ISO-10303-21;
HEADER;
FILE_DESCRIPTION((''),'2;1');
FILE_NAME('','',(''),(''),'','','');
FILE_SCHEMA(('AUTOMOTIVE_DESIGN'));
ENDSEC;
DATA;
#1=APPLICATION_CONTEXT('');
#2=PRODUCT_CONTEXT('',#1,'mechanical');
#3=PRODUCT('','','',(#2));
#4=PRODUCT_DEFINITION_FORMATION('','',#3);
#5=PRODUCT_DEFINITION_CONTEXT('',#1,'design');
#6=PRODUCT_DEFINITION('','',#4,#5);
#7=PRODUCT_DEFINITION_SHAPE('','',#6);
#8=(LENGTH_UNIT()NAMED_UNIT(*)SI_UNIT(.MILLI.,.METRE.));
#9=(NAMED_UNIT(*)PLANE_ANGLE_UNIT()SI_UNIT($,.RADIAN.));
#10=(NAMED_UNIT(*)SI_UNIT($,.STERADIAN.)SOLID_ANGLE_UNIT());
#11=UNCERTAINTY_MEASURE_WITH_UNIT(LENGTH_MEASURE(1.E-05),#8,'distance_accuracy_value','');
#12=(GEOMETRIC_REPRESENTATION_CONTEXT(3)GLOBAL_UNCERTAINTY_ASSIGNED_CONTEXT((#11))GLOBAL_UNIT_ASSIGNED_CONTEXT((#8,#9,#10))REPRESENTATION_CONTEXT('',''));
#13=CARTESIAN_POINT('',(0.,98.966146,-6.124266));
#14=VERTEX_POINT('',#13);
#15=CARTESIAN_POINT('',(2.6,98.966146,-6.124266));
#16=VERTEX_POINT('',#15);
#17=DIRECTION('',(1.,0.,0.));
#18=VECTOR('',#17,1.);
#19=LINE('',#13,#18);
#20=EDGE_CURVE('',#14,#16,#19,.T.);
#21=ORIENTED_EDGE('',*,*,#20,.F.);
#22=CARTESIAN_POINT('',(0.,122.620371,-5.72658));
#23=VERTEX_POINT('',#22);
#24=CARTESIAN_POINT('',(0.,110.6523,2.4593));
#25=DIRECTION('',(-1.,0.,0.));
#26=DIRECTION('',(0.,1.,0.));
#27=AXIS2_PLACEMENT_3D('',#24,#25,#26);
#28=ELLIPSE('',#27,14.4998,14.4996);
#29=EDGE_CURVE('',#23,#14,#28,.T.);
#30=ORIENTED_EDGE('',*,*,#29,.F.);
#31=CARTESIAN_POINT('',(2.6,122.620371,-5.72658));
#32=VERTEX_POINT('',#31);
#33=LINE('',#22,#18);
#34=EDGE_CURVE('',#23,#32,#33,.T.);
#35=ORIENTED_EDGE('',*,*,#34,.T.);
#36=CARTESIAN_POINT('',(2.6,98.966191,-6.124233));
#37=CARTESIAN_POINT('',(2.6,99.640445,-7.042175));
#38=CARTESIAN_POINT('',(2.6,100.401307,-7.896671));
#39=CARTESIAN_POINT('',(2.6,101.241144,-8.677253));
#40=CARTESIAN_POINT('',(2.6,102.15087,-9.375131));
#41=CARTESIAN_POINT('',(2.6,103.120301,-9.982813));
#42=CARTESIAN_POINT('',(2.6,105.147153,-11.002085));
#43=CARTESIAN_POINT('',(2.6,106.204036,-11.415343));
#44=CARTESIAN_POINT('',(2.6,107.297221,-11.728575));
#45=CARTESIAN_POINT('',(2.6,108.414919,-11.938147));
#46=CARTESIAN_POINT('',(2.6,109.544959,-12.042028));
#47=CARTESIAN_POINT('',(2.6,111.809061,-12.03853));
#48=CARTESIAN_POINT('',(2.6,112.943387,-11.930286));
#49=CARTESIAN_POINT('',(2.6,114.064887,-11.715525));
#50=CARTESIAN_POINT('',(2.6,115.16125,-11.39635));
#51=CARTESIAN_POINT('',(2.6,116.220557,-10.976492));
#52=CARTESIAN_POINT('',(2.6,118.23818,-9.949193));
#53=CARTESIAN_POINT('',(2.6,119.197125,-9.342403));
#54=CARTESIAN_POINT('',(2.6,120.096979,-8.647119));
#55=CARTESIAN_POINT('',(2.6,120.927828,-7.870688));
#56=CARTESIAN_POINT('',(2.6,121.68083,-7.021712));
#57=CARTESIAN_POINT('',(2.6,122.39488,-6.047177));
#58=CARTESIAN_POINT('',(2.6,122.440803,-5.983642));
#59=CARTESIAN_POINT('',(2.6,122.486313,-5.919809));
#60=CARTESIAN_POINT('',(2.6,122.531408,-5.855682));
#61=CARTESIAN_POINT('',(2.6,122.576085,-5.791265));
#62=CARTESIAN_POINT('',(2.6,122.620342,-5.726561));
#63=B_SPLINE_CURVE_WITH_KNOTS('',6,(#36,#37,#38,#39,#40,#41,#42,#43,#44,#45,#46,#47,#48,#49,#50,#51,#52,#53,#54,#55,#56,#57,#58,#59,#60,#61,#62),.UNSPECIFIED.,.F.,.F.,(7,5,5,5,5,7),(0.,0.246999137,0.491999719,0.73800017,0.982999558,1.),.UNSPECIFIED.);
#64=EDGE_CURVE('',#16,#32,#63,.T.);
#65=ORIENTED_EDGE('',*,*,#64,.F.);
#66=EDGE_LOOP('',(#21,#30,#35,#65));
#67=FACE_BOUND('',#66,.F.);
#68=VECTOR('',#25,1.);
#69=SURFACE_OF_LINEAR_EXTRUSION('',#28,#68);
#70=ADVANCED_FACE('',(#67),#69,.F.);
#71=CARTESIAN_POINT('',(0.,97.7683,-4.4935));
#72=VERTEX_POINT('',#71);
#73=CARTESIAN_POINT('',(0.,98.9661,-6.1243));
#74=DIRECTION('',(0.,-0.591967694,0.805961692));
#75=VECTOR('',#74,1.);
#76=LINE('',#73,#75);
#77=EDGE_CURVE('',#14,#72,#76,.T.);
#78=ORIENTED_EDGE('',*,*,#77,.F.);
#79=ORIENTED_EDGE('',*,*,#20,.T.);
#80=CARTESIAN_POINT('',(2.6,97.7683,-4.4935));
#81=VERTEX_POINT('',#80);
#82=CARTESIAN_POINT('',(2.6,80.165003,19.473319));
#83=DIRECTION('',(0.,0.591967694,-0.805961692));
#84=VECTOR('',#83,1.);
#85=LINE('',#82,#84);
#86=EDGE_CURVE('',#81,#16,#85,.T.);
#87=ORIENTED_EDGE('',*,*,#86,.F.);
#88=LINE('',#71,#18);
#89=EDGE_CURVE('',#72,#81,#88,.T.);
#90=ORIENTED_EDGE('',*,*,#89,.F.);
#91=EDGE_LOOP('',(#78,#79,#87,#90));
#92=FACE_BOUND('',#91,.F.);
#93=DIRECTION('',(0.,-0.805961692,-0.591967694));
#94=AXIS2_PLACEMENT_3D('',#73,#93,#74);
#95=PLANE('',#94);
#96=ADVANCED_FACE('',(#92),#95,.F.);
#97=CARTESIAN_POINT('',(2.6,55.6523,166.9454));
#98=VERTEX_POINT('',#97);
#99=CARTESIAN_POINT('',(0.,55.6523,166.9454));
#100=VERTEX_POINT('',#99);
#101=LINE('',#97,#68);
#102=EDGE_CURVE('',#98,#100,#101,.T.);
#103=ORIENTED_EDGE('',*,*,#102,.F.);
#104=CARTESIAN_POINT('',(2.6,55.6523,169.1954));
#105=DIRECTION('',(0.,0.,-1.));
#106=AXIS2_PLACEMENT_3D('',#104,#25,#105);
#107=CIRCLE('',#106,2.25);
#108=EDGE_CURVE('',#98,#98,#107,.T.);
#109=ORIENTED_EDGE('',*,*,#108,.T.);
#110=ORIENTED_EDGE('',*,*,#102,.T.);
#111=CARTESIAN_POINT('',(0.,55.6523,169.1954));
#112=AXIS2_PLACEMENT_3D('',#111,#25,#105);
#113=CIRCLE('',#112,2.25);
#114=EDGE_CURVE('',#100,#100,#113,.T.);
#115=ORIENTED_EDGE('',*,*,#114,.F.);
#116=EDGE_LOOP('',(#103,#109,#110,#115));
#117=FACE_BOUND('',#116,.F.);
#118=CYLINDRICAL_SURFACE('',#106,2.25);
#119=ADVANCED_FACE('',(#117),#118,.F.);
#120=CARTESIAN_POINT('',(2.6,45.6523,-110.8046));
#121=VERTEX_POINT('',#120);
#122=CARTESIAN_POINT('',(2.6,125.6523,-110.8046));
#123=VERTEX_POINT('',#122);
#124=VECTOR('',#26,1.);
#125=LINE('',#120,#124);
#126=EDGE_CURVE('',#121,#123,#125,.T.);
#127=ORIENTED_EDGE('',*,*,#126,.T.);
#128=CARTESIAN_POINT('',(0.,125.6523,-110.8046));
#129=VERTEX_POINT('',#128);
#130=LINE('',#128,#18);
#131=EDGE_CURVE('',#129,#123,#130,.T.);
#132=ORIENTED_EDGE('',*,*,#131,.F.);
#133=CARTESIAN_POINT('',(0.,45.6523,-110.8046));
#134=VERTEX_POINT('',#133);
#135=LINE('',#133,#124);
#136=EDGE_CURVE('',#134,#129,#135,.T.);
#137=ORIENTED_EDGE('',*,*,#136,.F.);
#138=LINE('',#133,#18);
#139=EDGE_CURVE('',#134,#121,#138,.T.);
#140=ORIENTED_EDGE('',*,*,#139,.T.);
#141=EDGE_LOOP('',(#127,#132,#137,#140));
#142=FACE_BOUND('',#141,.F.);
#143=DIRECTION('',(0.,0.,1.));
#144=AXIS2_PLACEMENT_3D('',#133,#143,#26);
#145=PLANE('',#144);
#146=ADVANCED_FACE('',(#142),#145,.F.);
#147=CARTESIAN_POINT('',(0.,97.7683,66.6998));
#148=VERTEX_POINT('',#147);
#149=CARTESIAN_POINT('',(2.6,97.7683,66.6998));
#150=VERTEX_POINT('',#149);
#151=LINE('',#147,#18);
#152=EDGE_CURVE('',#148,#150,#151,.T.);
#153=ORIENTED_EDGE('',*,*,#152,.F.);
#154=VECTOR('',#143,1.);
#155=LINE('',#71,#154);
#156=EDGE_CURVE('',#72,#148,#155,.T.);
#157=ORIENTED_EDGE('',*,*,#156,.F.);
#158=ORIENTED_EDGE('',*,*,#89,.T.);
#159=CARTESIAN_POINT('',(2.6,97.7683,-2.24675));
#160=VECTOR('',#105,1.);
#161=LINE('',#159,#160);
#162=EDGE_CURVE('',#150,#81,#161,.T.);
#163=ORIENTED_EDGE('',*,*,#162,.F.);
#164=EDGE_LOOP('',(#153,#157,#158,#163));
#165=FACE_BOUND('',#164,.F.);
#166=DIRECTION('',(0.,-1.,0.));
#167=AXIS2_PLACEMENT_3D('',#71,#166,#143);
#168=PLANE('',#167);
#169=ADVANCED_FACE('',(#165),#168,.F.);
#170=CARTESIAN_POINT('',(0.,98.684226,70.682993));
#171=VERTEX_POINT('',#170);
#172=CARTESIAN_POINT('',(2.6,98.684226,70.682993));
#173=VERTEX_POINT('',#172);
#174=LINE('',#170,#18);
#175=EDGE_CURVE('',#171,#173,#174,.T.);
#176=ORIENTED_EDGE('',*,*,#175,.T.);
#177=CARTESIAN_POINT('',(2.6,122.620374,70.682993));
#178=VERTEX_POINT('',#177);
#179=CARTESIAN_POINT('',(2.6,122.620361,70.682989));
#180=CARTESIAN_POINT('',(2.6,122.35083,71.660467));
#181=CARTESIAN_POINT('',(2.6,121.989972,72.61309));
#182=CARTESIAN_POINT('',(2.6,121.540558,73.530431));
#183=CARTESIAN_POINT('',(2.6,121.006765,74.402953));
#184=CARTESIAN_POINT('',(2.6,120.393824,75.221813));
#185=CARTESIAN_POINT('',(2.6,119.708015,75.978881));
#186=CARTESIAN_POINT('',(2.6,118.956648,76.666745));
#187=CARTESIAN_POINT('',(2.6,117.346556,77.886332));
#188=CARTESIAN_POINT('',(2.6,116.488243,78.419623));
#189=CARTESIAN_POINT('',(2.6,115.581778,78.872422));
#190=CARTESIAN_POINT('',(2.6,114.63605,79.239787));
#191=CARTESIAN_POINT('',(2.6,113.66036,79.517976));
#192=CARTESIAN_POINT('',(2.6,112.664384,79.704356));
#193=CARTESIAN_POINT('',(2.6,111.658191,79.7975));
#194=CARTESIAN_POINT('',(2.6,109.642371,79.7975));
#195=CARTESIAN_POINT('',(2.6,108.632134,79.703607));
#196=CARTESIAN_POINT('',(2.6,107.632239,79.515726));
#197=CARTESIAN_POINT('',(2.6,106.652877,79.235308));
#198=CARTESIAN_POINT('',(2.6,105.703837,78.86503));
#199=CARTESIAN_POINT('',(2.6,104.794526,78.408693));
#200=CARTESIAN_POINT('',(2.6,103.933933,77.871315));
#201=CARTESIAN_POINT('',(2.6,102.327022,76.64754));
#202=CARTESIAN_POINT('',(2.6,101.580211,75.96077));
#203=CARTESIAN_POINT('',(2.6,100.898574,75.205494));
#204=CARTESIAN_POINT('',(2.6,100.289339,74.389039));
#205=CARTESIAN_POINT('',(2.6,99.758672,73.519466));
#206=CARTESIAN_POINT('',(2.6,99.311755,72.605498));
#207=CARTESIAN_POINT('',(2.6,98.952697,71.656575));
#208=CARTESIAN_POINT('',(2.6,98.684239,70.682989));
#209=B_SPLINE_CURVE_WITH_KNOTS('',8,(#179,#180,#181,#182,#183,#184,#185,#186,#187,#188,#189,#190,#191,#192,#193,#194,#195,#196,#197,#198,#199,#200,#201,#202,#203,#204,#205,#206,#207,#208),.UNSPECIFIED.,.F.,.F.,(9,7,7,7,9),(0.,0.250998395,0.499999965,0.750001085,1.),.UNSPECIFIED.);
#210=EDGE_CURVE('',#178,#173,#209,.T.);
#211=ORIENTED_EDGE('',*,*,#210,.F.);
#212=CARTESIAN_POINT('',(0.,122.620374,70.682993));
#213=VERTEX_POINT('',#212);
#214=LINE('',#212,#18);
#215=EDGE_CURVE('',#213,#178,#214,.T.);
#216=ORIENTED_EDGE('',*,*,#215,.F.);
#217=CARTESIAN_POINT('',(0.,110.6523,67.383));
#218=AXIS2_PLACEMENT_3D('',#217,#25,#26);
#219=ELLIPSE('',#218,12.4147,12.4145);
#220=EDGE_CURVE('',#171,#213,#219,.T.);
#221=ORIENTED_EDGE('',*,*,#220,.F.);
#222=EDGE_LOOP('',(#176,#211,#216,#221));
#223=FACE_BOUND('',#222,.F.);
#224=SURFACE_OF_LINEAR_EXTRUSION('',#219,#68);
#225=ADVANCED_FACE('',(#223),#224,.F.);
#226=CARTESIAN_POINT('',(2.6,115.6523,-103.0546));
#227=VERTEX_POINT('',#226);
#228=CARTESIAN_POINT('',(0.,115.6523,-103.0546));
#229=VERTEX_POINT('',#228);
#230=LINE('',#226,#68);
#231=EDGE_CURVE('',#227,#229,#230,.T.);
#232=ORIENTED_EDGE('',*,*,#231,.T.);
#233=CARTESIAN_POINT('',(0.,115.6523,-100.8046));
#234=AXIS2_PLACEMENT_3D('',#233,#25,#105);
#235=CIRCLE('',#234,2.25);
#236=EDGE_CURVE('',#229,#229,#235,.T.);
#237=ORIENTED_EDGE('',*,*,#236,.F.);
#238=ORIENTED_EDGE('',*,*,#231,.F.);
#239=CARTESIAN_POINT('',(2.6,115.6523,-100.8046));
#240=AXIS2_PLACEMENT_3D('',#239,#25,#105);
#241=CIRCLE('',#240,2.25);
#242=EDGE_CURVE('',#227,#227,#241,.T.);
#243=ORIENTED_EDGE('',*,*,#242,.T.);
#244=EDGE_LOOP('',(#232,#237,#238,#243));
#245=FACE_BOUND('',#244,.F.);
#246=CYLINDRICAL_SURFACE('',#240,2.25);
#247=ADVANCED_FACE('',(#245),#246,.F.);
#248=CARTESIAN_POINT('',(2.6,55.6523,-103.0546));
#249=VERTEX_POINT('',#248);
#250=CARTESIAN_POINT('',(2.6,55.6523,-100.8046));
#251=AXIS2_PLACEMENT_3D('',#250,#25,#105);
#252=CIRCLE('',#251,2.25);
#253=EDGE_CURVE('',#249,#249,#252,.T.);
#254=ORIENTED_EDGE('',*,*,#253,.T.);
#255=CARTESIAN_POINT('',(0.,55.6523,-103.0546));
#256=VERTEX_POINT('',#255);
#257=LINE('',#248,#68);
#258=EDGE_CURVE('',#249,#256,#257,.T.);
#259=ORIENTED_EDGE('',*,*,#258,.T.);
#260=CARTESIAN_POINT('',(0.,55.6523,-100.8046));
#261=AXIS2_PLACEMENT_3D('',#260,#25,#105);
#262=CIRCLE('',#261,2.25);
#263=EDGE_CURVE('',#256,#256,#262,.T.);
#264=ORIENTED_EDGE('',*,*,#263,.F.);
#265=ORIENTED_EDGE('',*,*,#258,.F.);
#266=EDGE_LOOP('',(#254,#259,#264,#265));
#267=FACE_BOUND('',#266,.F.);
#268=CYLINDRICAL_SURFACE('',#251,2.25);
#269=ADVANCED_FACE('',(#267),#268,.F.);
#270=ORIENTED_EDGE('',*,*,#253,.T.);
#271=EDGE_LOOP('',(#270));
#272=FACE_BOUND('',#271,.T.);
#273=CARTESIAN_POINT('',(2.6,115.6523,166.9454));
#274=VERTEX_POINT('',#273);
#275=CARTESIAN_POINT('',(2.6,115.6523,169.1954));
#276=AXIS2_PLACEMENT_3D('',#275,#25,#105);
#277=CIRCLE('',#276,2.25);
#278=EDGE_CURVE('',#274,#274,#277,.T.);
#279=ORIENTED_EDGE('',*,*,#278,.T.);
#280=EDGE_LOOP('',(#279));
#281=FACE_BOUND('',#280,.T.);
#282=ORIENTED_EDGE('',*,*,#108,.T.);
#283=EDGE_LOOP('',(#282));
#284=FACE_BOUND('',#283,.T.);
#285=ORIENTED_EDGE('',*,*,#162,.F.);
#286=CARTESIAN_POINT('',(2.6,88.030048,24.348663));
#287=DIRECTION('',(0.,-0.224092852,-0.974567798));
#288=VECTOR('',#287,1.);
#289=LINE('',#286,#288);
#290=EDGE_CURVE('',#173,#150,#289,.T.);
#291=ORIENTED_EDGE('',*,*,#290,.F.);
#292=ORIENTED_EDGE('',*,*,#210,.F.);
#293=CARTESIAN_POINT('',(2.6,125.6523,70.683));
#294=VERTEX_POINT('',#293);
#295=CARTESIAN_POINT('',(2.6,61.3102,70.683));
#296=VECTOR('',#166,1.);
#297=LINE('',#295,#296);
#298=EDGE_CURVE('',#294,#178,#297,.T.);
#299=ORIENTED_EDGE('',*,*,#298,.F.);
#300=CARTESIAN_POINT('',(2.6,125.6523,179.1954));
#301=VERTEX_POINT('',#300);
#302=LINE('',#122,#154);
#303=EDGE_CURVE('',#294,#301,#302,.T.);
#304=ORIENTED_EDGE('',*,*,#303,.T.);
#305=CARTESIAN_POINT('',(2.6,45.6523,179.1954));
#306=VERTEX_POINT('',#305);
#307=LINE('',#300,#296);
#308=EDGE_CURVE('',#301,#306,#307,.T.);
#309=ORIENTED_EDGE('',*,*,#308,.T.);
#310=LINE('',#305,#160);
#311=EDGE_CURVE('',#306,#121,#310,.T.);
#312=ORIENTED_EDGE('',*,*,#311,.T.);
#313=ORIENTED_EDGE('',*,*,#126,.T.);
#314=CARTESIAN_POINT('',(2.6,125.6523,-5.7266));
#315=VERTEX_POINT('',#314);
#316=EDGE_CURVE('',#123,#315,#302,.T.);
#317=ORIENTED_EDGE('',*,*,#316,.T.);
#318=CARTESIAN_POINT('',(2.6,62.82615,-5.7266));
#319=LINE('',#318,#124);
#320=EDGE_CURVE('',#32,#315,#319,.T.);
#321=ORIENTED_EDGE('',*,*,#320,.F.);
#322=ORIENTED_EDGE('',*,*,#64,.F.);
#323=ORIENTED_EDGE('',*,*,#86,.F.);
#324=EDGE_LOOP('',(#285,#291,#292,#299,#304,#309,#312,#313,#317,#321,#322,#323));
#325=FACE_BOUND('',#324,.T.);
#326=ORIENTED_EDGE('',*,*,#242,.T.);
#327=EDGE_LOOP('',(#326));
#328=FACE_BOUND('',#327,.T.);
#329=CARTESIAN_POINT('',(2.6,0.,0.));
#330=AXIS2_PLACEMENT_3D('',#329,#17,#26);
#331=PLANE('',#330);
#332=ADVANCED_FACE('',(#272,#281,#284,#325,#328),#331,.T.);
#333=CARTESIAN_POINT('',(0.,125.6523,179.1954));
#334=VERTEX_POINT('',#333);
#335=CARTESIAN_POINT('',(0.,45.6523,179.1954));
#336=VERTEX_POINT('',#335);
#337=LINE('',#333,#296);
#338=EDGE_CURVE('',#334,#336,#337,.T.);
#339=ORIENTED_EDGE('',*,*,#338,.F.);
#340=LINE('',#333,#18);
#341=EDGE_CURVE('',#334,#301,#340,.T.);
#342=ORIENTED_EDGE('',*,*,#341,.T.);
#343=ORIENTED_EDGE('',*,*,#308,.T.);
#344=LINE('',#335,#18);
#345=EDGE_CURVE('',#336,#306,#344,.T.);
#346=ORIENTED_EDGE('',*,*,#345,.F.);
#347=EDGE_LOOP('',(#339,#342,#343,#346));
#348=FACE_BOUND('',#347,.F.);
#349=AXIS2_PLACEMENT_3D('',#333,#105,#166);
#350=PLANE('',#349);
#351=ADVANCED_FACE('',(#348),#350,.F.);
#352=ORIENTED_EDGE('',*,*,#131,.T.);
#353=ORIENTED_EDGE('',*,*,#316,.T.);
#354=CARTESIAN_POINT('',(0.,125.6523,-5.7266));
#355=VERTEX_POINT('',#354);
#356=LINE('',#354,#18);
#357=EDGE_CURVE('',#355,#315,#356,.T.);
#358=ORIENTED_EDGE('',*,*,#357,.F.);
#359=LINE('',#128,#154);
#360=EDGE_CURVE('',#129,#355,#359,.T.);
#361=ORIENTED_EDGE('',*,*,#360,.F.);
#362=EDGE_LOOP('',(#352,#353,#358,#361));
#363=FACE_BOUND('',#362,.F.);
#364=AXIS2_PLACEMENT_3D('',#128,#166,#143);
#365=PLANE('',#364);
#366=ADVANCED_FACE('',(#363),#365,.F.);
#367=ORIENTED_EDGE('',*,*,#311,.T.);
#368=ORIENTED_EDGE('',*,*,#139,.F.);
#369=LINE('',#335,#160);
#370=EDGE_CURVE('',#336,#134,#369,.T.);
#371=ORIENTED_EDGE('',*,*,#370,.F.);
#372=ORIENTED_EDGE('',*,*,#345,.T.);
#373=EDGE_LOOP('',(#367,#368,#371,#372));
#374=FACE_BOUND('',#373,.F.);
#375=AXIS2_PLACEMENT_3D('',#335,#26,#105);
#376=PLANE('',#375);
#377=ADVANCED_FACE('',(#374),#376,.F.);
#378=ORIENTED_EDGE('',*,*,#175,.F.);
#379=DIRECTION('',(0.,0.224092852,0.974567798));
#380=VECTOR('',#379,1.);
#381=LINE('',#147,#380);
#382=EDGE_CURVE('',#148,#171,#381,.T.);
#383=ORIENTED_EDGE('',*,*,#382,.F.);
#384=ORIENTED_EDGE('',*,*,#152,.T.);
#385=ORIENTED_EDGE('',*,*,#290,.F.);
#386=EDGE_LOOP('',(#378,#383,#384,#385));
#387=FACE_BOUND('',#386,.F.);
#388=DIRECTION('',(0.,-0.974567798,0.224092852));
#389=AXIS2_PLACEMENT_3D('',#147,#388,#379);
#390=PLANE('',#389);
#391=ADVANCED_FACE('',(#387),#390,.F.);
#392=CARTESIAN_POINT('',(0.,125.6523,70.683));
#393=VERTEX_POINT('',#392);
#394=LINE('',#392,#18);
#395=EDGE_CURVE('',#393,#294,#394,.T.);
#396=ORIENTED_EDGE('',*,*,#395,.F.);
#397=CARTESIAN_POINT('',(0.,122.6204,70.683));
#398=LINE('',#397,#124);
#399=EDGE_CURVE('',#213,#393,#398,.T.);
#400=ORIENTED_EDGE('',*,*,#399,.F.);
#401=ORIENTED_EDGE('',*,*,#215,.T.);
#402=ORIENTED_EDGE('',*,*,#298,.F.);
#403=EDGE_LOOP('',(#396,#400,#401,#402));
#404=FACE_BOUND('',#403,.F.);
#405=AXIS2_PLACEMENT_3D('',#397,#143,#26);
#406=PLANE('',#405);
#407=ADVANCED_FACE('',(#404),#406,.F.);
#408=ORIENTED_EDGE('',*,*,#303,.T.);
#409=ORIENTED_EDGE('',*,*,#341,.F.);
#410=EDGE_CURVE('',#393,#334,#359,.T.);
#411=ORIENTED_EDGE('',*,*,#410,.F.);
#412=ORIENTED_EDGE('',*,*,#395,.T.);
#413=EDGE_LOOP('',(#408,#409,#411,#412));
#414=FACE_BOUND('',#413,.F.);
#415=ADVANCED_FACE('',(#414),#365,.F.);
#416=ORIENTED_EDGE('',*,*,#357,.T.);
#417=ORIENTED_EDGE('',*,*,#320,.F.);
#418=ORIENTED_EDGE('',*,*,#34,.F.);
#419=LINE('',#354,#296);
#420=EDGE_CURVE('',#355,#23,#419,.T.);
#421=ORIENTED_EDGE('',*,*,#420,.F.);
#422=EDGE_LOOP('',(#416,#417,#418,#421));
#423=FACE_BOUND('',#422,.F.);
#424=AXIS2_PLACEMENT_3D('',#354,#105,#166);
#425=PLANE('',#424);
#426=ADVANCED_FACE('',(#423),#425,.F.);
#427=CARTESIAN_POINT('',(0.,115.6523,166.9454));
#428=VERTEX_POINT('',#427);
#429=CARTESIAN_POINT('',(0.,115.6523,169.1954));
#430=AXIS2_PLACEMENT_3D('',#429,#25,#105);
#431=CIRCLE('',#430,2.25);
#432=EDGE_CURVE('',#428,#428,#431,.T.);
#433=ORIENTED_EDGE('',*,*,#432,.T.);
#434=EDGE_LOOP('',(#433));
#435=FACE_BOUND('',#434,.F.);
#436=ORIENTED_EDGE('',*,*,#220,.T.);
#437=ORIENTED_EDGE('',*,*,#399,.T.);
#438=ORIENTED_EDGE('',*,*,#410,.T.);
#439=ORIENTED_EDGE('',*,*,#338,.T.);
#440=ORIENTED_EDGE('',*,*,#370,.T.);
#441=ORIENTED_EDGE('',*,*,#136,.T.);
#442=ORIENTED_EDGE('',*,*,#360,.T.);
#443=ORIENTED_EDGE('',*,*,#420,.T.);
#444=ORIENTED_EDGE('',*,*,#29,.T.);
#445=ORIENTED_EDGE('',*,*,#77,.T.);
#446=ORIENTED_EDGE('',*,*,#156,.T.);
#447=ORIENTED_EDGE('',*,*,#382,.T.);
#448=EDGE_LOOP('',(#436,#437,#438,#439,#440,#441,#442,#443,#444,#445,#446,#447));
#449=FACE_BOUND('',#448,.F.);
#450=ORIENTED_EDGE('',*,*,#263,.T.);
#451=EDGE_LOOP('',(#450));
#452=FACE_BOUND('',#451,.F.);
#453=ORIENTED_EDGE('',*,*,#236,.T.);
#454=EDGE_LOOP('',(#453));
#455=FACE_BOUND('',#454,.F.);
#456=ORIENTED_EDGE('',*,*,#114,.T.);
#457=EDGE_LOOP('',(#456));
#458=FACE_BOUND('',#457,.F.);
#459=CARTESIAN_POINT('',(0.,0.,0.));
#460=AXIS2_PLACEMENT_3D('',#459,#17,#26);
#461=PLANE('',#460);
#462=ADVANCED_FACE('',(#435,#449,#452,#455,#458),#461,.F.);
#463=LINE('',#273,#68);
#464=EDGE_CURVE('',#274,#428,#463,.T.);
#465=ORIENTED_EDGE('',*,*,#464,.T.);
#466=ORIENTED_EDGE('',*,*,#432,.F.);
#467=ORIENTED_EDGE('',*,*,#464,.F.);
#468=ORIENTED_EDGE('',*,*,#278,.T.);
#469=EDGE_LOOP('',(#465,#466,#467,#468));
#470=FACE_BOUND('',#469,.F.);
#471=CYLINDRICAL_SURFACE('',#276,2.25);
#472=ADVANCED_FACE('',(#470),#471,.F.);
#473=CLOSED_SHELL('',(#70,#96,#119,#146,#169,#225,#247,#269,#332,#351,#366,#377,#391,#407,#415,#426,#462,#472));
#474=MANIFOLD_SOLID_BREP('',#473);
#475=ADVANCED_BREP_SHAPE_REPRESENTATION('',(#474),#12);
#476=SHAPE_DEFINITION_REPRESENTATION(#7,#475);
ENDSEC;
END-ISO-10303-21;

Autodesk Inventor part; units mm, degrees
ref_plane "YZ Plane" through (0, 0, 0) normal (1, 0, 0) x (0, 1, 0)
ref_plane "XZ Plane" through (0, 0, 0) normal (0, 1, 0) x (-1, 0, 0)
ref_plane "XY Plane" through (0, 0, 0) normal (0, 0, 1) x (1, 0, 0)
sketch "スケッチ1" plane through (0, 0, 0) normal (1, 0, 0) x (0, 1, 0)
  line L0 (125.6523, 179.1954) -> (45.6523, 179.1954)
  line L1 (45.6523, 179.1954) -> (45.6523, -110.8046)
  line L2 (45.6523, -110.8046) -> (125.6523, -110.8046)
  line L3 (125.6523, -110.8046) -> (125.6523, 179.1954)
  point P0 (0, 0)
  dimension "d0" = 80
  dimension "d1" = 290
extrude "押し出し1" add sketch "スケッチ1" along normal blind 2.6
sketch "スケッチ2" plane through (2.6, 0, 0) normal (1, 0, 0) x (0, 0, -1)
  line L0 (-179.1954, 125.6523) -> (-179.1954, 45.6523) projected
  line L1 (-179.1954, 45.6523) -> (110.8046, 45.6523) projected
  line L2 (110.8046, 45.6523) -> (110.8046, 125.6523) projected
  line L3 (110.8046, 125.6523) -> (-179.1954, 125.6523) projected
  line L4 (-34.1954, 85.6523) -> (-34.1954, 125.6523)
  line L5 (110.8046, 125.6523) -> (-179.1954, 125.6523) projected
  line L6 (-34.1954, 85.6523) -> (110.8046, 85.6523)
  point P0 (0, 0)
  point P1 (-169.1954, 115.6523)
  point P2 (100.8046, 115.6523)
  point P3 (-169.1954, 55.6523)
  point P4 (100.8046, 55.6523)
  dimension "d4" = 10
  dimension "d5" = 10
hole "穴1" at (2.6, 115.6523, 169.1954) at (2.6, 115.6523, -100.8046) at (2.6, 55.6523, 169.1954) at (2.6, 55.6523, -100.8046) direction (-1, 0, 0) diameter 4.5 depth 10 tip angle 118
sketch "スケッチ4" plane through (0, 0, 0) normal (-1, 0, 0) x (0, 0, 1)
  ellipse E0 centre (2.4593, 110.6523) end of major axis (2.4593, 125.1521) minor radius 14.4996 (-5.7266, 122.6204) -> (-6.1243, 98.9661) ccw projected
  line L0 (-5.7266, 125.6523) -> (-5.7266, 122.6204) projected
  line L1 (-4.4935, 97.7683) -> (66.6998, 97.7683) projected
  line L2 (66.6998, 97.7683) -> (70.683, 98.6842) projected
  ellipse E1 centre (67.383, 110.6523) end of major axis (67.383, 123.067) minor radius 12.4145 (70.683, 98.6842) -> (70.683, 122.6204) ccw projected
  line L3 (70.683, 122.6204) -> (70.683, 125.6523) projected
  ellipse E2 centre (67.383, 110.6523) end of major axis (67.383, 123.067) minor radius 12.4145 (70.683, 98.6842) -> (70.683, 122.6204) ccw projected
  line L4 (-6.1243, 98.9661) -> (-4.4935, 97.7683) projected
  line L5 (-110.8046, 125.6523) -> (179.1954, 125.6523) projected
  arc A0 (66.6955, 101.0165) -> (66.6955, 120.2881) centre (66.6954, 110.6523) ccw projected
  arc A1 (1.6954, 120.1437) -> (1.6954, 101.1609) centre (1.6954, 110.6523) ccw projected
  line L6 (1.6954, 120.1437) -> (66.6955, 120.2881)
  line L7 (66.6955, 101.0165) -> (1.6954, 101.1609)
  line L8 (1.6954, 120.1437) -> (1.6954, 125.6523)
  line L9 (-110.8046, 125.6523) -> (179.1954, 125.6523) projected
  line L10 (66.6955, 120.2881) -> (66.6955, 125.6523)
  point P0 (0, 0)
extrude "押し出し3" cut sketch "スケッチ4" against normal through all
properties part number "lc_box_side" material "ポリカーボネート、クリア"
